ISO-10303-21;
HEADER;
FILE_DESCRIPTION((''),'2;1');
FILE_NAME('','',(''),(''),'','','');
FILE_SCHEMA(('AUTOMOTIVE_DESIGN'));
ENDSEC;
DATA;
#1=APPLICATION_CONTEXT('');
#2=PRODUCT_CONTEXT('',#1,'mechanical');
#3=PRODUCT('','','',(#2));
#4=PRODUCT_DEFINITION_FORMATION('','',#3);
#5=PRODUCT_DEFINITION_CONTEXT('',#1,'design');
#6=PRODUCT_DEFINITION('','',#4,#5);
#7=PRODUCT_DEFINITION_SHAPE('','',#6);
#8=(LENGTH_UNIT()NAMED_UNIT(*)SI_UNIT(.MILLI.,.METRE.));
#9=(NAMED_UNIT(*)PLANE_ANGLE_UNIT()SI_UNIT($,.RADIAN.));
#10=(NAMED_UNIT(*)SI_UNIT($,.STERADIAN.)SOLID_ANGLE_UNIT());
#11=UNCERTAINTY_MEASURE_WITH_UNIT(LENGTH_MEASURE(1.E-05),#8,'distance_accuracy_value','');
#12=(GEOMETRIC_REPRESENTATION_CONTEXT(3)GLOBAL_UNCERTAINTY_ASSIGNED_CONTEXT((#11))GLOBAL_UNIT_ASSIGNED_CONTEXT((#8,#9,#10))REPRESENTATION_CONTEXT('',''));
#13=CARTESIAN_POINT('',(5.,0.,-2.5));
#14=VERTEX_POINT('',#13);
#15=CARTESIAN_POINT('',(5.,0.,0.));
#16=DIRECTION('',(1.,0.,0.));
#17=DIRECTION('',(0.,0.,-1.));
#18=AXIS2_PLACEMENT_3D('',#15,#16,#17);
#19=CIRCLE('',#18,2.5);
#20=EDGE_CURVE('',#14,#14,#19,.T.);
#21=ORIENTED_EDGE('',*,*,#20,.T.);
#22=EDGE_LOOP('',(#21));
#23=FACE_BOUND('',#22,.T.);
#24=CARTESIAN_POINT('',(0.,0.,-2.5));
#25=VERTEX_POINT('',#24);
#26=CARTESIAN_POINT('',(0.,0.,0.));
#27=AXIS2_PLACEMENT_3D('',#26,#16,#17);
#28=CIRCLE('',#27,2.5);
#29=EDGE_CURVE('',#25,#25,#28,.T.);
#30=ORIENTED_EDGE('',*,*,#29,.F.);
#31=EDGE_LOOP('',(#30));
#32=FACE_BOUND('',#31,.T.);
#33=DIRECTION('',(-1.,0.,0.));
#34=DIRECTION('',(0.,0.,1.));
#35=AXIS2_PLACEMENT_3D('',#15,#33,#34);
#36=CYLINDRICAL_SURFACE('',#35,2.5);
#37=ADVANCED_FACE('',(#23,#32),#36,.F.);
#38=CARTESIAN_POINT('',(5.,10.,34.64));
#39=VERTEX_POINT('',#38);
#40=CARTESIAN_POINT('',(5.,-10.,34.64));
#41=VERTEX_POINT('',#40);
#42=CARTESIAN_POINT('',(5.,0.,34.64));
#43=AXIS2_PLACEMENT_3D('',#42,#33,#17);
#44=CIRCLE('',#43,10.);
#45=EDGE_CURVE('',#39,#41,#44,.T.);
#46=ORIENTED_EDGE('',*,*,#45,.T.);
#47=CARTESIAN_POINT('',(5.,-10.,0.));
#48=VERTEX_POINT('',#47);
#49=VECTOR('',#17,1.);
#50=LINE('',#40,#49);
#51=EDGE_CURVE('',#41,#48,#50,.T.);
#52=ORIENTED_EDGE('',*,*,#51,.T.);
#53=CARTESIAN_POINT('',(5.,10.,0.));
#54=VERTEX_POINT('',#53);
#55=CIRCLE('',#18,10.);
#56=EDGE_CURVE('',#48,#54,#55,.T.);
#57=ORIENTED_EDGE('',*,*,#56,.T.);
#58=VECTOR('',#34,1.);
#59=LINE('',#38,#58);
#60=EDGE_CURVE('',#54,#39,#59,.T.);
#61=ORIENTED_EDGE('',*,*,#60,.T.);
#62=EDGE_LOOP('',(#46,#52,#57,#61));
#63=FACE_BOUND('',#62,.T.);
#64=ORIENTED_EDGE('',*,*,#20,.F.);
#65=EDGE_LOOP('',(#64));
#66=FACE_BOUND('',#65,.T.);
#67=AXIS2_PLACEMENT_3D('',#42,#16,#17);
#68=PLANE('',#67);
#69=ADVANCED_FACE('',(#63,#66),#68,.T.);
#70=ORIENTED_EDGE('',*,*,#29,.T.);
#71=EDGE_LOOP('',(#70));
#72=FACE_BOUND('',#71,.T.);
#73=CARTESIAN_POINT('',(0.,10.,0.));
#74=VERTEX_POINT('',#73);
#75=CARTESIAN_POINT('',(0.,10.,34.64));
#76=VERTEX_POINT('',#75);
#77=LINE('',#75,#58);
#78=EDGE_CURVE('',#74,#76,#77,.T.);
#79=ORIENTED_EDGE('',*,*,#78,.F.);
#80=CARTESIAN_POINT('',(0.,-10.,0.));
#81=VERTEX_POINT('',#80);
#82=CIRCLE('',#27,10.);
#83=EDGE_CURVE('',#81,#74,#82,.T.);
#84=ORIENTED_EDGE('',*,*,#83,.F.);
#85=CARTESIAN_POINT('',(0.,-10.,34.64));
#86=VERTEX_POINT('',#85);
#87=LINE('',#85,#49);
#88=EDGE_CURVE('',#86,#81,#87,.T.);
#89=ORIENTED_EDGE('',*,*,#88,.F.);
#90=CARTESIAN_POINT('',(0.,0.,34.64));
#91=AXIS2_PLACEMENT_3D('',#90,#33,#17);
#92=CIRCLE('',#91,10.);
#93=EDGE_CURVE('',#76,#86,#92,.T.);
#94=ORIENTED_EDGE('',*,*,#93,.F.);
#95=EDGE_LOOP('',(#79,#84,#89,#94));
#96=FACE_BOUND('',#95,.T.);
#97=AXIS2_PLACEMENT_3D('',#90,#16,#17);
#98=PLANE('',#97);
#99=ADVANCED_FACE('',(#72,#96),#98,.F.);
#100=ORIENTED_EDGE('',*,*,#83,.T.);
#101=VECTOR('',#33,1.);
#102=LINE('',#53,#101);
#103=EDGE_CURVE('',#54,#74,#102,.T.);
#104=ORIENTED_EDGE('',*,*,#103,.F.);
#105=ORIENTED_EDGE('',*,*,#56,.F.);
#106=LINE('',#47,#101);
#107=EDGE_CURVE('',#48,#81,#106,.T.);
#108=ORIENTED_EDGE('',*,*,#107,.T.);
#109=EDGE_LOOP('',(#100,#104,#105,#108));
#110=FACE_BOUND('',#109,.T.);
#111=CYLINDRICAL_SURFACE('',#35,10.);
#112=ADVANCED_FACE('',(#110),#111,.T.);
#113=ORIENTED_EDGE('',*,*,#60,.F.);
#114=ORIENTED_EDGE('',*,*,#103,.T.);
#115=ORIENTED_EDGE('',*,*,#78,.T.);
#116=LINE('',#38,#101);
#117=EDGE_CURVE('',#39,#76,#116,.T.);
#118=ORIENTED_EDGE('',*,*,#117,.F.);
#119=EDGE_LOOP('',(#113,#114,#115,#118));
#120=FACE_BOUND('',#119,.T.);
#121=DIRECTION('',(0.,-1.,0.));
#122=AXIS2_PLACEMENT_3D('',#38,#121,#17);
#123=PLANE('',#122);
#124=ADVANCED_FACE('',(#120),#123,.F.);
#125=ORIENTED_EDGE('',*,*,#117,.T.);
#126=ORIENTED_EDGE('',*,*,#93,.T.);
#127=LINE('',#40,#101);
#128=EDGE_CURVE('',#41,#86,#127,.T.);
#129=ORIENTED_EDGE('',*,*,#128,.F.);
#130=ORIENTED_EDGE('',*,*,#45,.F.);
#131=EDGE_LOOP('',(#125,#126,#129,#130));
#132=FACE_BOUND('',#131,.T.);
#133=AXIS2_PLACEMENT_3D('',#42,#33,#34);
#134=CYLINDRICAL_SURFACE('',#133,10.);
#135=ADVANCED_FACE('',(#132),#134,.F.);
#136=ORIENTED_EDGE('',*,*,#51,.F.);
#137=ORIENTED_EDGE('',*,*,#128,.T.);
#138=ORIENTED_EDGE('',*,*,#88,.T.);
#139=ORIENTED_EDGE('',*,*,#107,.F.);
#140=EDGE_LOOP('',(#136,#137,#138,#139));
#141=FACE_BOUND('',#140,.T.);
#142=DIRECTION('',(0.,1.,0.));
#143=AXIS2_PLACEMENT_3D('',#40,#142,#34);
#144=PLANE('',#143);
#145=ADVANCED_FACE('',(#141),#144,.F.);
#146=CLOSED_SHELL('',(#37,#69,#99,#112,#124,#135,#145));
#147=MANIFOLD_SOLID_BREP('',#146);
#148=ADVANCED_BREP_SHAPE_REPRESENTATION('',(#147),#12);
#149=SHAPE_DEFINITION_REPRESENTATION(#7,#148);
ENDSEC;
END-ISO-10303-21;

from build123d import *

# Parameters (mm, degrees)
SKETCH_1_R      = 2.5
EXTRUDE_1_DEPTH = 5


with BuildPart() as part:
    # 草圖1 → 填料-伸長1 (new body)
    with BuildSketch(Plane(origin=(0, 0, 0), x_dir=(0, 0, -1), z_dir=(1, 0, 0))):
        with BuildLine():
            Line((-34.64, -10), (0, -10))
            ThreePointArc((0, -10), (10, 0), (0, 10))
            Line((0, 10), (-34.64, 10))
            ThreePointArc((-34.64, 10), (-24.64, 0), (-34.64, -10))
        make_face()
        Circle(SKETCH_1_R, mode=Mode.SUBTRACT)
    extrude(amount=EXTRUDE_1_DEPTH)


solid = part.part
